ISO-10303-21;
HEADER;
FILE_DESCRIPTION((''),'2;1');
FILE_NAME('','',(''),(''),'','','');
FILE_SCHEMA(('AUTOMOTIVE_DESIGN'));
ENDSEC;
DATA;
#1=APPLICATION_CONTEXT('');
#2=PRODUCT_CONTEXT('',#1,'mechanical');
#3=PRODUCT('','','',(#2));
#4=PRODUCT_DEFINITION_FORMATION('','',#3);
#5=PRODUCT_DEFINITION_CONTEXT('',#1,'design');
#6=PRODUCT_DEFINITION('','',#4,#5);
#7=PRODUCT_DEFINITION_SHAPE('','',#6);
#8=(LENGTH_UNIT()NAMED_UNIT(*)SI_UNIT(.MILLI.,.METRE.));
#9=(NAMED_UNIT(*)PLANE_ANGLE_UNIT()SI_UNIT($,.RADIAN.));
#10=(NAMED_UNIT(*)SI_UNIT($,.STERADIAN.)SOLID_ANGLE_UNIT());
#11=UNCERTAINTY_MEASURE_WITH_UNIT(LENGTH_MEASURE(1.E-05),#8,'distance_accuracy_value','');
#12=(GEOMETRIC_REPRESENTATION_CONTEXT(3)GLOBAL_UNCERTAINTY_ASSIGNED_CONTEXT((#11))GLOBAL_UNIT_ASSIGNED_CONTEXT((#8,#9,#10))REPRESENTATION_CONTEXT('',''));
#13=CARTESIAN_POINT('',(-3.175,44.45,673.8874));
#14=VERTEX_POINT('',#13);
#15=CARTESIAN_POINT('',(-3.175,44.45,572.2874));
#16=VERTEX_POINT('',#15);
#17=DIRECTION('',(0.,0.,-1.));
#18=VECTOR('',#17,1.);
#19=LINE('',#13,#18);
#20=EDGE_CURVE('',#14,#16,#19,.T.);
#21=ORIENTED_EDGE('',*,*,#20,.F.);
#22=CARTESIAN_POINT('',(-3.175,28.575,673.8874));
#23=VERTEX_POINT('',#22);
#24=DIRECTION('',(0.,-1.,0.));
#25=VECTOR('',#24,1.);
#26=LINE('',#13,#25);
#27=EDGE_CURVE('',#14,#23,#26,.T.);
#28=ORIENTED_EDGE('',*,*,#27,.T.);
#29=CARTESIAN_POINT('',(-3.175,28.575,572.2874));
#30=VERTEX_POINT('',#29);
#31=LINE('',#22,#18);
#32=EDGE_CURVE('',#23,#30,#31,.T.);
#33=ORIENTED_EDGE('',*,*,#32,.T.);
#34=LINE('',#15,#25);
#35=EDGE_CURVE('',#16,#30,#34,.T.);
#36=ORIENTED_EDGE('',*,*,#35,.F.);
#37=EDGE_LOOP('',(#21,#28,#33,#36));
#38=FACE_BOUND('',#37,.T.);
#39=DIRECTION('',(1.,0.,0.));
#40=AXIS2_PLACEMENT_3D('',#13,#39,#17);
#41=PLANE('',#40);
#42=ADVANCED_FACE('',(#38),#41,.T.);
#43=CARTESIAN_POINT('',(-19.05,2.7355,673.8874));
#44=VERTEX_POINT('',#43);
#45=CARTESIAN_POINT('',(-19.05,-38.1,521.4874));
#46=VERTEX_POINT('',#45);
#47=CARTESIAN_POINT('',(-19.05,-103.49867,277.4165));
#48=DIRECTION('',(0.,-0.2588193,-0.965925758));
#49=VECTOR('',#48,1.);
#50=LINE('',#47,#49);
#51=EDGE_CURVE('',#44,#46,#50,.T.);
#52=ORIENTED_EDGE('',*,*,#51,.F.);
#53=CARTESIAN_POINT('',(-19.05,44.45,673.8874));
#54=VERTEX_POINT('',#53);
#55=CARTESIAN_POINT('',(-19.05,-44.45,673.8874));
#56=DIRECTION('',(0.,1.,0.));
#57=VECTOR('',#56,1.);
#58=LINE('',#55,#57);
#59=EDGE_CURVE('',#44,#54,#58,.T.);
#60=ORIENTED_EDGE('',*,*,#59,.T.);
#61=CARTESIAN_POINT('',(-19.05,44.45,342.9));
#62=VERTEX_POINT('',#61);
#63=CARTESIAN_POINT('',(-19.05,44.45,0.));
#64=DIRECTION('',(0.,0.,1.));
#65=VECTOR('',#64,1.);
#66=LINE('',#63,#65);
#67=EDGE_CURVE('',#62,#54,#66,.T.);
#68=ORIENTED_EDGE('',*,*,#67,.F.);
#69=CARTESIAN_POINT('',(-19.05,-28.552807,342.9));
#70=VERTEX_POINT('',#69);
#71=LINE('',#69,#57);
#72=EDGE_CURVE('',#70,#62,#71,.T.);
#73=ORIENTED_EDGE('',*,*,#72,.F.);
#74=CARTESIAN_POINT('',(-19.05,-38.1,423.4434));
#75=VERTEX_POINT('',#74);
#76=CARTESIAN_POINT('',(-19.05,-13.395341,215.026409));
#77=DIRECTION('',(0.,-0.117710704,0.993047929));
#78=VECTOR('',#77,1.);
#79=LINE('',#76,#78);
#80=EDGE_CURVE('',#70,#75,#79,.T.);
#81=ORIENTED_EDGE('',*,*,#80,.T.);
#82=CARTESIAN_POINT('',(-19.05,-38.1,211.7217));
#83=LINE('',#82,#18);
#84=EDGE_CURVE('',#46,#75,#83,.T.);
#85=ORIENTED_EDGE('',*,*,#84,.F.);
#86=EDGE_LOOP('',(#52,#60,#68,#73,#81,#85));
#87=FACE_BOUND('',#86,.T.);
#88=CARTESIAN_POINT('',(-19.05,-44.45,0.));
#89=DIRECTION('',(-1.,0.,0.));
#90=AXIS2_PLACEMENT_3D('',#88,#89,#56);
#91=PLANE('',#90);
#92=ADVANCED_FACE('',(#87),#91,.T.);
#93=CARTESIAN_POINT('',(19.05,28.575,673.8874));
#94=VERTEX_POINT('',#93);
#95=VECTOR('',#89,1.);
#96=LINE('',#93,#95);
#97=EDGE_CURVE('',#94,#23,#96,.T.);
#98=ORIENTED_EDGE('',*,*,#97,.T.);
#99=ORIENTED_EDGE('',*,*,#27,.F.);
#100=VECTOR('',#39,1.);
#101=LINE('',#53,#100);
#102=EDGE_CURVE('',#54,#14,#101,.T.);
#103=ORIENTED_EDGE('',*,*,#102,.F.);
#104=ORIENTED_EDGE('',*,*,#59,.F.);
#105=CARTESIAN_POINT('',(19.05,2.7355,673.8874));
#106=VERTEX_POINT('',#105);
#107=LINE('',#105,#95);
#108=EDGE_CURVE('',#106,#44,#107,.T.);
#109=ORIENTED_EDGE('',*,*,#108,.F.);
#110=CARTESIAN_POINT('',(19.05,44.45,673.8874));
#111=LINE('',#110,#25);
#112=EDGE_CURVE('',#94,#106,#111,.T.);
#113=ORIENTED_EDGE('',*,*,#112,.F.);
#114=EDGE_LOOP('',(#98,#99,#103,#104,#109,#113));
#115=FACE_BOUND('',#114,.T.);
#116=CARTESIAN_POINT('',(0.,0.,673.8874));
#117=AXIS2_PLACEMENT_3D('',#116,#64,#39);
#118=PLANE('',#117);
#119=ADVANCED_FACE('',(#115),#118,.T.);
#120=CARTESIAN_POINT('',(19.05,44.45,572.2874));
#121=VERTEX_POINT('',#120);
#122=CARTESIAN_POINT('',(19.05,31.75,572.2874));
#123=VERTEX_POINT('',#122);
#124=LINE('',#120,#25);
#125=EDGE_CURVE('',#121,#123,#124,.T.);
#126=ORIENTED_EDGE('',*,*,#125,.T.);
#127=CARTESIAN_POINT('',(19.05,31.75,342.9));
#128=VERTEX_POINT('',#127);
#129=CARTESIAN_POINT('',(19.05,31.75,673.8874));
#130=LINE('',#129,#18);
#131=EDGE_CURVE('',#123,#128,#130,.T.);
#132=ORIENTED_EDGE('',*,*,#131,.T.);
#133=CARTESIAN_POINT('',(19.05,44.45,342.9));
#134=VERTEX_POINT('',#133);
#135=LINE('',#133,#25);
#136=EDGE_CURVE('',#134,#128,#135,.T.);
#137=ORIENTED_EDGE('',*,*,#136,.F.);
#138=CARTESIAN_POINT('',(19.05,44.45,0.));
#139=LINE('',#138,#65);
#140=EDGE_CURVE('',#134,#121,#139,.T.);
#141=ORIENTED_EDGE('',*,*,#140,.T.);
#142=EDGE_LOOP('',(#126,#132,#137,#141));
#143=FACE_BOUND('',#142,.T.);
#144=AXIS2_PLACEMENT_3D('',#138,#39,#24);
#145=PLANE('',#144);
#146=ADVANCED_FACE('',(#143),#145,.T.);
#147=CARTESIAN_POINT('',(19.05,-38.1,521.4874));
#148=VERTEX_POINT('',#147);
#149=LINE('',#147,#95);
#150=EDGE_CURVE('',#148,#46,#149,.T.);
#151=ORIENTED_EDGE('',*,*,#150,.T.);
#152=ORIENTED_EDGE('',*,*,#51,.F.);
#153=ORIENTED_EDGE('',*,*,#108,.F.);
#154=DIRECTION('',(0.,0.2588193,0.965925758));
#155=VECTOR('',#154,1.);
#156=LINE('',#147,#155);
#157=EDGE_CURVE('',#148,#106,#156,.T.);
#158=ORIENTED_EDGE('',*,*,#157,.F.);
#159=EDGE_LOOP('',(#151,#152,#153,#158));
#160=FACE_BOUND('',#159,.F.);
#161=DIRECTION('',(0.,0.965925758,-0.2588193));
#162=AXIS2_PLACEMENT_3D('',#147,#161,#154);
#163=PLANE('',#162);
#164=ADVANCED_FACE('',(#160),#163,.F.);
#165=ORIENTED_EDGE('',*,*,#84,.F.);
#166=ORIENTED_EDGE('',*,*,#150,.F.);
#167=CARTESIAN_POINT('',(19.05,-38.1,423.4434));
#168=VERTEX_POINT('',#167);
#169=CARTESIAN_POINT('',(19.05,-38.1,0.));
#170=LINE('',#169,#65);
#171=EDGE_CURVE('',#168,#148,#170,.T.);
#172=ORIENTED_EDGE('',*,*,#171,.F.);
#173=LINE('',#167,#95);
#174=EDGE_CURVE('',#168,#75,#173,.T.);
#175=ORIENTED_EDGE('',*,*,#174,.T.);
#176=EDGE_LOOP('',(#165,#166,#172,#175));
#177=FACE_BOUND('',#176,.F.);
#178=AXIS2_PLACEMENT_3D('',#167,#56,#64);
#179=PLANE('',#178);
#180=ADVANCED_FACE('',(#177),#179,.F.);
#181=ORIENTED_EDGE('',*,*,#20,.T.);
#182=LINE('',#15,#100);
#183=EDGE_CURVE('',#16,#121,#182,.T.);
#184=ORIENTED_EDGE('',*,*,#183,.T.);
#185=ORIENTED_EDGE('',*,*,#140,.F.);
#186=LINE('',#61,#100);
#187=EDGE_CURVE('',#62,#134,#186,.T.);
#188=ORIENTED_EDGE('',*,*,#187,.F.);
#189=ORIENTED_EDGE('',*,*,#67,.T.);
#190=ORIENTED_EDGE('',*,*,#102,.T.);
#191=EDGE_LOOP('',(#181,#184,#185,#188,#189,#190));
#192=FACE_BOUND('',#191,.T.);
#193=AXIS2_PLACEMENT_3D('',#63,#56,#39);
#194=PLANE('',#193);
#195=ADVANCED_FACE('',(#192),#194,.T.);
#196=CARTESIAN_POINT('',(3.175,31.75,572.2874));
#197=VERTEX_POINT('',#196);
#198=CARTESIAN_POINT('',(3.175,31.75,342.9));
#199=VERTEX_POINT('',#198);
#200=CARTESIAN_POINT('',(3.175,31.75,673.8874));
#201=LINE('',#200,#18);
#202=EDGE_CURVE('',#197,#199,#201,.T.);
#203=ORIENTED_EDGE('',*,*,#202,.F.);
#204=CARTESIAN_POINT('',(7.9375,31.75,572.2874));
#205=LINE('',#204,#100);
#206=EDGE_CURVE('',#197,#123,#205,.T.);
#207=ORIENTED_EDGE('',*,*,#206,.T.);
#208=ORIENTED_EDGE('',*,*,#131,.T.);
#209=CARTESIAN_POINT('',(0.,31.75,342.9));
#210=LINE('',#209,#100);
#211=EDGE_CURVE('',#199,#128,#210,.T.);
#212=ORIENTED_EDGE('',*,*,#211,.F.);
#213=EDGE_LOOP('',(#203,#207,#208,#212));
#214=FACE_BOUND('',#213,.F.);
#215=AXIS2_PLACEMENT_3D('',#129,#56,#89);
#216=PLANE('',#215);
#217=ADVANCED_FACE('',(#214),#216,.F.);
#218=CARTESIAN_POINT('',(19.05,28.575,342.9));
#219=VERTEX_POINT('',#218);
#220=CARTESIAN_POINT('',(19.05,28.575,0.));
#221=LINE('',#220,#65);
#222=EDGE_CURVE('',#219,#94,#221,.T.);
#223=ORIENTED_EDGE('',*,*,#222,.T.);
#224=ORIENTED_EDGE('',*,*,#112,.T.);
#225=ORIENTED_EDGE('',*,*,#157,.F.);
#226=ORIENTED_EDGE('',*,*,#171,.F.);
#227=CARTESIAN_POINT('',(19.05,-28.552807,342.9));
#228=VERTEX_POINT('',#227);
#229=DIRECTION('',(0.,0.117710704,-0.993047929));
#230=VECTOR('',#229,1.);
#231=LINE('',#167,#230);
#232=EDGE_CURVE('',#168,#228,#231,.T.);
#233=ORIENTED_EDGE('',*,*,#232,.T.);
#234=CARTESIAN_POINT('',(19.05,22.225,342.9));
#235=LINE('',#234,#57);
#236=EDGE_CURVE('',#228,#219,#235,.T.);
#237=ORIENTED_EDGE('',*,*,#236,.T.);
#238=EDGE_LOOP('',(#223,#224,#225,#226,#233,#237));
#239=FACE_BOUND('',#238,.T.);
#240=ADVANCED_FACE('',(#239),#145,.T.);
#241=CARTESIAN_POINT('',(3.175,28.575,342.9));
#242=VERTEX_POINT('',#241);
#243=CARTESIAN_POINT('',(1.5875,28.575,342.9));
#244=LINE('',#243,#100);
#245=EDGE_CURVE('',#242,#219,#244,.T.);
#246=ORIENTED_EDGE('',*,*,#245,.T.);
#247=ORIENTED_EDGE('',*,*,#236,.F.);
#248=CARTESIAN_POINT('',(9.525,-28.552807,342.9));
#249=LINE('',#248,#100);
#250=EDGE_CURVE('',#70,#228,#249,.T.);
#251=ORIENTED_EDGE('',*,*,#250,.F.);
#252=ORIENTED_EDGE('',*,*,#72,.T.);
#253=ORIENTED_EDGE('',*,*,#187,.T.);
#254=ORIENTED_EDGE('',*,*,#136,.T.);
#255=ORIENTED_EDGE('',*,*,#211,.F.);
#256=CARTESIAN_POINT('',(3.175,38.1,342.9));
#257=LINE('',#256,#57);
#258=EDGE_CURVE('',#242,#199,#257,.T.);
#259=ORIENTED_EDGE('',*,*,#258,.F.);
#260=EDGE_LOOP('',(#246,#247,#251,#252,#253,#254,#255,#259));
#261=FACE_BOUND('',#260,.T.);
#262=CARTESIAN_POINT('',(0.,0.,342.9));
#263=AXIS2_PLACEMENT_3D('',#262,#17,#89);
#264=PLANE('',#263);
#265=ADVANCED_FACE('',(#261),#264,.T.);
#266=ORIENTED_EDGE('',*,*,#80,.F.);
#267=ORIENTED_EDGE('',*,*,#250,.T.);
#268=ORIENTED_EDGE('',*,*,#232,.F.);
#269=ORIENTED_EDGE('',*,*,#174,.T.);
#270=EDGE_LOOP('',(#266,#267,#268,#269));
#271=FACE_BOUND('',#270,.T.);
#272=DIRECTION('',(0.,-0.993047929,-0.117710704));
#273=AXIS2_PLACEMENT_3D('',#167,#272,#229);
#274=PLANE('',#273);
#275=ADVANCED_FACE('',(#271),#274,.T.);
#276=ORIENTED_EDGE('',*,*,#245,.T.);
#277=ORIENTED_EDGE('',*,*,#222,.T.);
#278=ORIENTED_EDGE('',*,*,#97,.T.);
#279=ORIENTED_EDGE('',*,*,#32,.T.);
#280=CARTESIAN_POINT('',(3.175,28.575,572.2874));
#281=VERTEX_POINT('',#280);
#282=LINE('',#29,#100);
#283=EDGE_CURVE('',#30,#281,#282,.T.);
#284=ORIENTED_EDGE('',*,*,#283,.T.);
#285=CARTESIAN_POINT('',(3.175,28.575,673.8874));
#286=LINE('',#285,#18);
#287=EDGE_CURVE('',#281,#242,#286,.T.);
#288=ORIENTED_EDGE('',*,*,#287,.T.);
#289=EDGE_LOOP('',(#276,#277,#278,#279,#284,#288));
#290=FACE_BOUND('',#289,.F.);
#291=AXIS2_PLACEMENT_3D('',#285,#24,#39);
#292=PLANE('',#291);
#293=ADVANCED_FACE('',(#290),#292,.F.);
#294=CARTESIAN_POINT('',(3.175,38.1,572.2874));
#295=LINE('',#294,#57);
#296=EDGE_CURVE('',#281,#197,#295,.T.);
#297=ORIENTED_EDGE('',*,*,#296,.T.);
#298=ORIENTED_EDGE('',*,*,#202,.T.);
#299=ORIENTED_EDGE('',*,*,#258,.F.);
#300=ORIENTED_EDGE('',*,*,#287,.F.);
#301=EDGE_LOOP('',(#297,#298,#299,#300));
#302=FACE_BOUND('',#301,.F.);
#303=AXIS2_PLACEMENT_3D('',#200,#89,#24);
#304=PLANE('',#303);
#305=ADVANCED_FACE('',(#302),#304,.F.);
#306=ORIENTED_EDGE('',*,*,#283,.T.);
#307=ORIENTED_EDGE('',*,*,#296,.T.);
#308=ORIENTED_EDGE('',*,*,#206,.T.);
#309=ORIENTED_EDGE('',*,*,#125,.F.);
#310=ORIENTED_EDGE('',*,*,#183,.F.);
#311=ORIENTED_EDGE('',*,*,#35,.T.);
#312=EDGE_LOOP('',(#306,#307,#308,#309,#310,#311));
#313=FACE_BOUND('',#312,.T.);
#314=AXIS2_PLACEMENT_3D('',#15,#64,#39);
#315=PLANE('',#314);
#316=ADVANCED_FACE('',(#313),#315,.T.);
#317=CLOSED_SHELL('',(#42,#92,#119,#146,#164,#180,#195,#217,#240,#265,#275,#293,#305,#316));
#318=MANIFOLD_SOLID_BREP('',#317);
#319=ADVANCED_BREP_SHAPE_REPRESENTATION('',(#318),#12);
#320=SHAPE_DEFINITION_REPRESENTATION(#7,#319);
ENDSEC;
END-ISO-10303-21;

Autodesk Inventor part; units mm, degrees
ref_plane "YZ Plane" through (0, 0, 0) normal (1, 0, 0) x (0, 1, 0)
ref_plane "XZ Plane" through (0, 0, 0) normal (0, 1, 0) x (-1, 0, 0)
ref_plane "XY Plane" through (0, 0, 0) normal (0, 0, 1) x (1, 0, 0)
sketch "Sketch1" plane through (0, 0, 0) normal (0, 0, 1) x (1, 0, 0)
  line L0 (19.05, -44.45) -> (-19.05, -44.45)
  line L1 (-19.05, -44.45) -> (-19.05, 44.45)
  line L2 (-19.05, 44.45) -> (19.05, 44.45)
  line L3 (19.05, 44.45) -> (19.05, -44.45)
  line L4 (19.05, -44.45) -> (-19.05, 44.45) construction
  line L5 (-19.05, -44.45) -> (19.05, 44.45) construction
  point P0 (0, 0)
  dimension "d0" = 38.1
  dimension "d1" = 88.9
extrude "Extrusion1" add sketch "Sketch1" along normal blind 673.8874
sketch "Sketch2" plane through (0, 0, 673.8874) normal (0, 0, 1) x (1, 0, 0)
  line L0 (19.05, -44.45) -> (19.05, 44.45) projected
  line L1 (19.05, 44.45) -> (-19.05, 44.45) projected
  line L2 (19.05, 31.75) -> (3.175, 31.75)
  line L3 (3.175, 31.75) -> (3.175, 28.575)
  line L4 (3.175, 28.575) -> (19.05, 28.575)
  line L5 (19.05, 28.575) -> (19.05, 31.75)
  point P0 (0, 0)
  dimension "d4" = 12.7
  dimension "d5" = 3.175
  dimension "d6" = 15.875
extrude "Extrusion2" cut sketch "Sketch2" against normal blind 736.6
sketch "Sketch4" plane through (19.05, -44.45, 673.8874) normal (1, 0, 0) x (0, 0, -1)
  line L0 (0, 0) -> (0, 73.025) projected
  line L1 (673.8874, 0) -> (0, 0) projected
  line L2 (673.8874, 73.025) -> (673.8874, 0) projected
  line L3 (673.8874, 6.35) -> (0, 6.35)
  line L4 (152.4, 6.35) -> (0, 47.1855)
  line L5 (250.444, 6.35) -> (421.8705, 26.67)
  line L6 (421.8705, 26.67) -> (673.8874, 26.67)
  point P0 (673.8874, 44.45)
  dimension "d15" = 6.35
  dimension "d20" = 152.4
  dimension "d21" = 165
  dimension "d23" = 20.32
  dimension "d24" = 98.044
  dimension "d25" = 173.24
extrude "Extrusion3" cut sketch "Sketch4" against normal blind 152.4
sketch "Sketch5" plane through (-19.05, 44.45, 0) normal (0, 1, 0) x (1, 0, 0)
  line L0 (38.1, -673.8874) -> (15.875, -673.8874)
  line L1 (15.875, -673.8874) -> (15.875, -572.2874)
  line L2 (15.875, -572.2874) -> (38.1, -572.2874)
  line L3 (38.1, -572.2874) -> (38.1, -673.8874)
  point P0 (19.05, 0)
  dimension "d28" = 22.225
  dimension "d29" = 101.6
extrude "Extrusion4" cut sketch "Sketch5" against normal blind 15.875
sketch "Sketch6" plane through (-19.05, 44.45, 0) normal (0, 1, 0) x (1, 0, 0)
  line L0 (38.1, 0) -> (38.1, -572.2874) projected
  line L1 (0, 0) -> (38.1, 0) projected
  line L2 (38.1, -215.9) -> (0, -215.9)
  line L3 (0, -215.9) -> (0, -342.9)
  line L4 (0, -342.9) -> (38.1, -342.9)
  line L5 (38.1, -342.9) -> (38.1, -215.9)
  point P0 (19.05, 0)
  dimension "d32" = 127
  dimension "d33" = 215.9
  dimension "d36" = 38.1
extrude "Extrusion5" cut sketch "Sketch6" against normal blind 15.875
sketch "Sketch7" plane through (0, 0, 0) normal (0, 0, -1) x (-1, 0, 0)
  line L0 (41.2519, 59.9443) -> (-67.5031, 59.9443)
  line L1 (-67.5031, 59.9443) -> (-67.5031, -55.7754)
  line L2 (-67.5031, -55.7754) -> (41.2519, -55.7754)
  line L3 (41.2519, -55.7754) -> (41.2519, 59.9443)
  point P0 (0, 0)
extrude "Extrusion6" cut sketch "Sketch7" against normal blind 342.9
properties part number "FrontSkidLeft"
